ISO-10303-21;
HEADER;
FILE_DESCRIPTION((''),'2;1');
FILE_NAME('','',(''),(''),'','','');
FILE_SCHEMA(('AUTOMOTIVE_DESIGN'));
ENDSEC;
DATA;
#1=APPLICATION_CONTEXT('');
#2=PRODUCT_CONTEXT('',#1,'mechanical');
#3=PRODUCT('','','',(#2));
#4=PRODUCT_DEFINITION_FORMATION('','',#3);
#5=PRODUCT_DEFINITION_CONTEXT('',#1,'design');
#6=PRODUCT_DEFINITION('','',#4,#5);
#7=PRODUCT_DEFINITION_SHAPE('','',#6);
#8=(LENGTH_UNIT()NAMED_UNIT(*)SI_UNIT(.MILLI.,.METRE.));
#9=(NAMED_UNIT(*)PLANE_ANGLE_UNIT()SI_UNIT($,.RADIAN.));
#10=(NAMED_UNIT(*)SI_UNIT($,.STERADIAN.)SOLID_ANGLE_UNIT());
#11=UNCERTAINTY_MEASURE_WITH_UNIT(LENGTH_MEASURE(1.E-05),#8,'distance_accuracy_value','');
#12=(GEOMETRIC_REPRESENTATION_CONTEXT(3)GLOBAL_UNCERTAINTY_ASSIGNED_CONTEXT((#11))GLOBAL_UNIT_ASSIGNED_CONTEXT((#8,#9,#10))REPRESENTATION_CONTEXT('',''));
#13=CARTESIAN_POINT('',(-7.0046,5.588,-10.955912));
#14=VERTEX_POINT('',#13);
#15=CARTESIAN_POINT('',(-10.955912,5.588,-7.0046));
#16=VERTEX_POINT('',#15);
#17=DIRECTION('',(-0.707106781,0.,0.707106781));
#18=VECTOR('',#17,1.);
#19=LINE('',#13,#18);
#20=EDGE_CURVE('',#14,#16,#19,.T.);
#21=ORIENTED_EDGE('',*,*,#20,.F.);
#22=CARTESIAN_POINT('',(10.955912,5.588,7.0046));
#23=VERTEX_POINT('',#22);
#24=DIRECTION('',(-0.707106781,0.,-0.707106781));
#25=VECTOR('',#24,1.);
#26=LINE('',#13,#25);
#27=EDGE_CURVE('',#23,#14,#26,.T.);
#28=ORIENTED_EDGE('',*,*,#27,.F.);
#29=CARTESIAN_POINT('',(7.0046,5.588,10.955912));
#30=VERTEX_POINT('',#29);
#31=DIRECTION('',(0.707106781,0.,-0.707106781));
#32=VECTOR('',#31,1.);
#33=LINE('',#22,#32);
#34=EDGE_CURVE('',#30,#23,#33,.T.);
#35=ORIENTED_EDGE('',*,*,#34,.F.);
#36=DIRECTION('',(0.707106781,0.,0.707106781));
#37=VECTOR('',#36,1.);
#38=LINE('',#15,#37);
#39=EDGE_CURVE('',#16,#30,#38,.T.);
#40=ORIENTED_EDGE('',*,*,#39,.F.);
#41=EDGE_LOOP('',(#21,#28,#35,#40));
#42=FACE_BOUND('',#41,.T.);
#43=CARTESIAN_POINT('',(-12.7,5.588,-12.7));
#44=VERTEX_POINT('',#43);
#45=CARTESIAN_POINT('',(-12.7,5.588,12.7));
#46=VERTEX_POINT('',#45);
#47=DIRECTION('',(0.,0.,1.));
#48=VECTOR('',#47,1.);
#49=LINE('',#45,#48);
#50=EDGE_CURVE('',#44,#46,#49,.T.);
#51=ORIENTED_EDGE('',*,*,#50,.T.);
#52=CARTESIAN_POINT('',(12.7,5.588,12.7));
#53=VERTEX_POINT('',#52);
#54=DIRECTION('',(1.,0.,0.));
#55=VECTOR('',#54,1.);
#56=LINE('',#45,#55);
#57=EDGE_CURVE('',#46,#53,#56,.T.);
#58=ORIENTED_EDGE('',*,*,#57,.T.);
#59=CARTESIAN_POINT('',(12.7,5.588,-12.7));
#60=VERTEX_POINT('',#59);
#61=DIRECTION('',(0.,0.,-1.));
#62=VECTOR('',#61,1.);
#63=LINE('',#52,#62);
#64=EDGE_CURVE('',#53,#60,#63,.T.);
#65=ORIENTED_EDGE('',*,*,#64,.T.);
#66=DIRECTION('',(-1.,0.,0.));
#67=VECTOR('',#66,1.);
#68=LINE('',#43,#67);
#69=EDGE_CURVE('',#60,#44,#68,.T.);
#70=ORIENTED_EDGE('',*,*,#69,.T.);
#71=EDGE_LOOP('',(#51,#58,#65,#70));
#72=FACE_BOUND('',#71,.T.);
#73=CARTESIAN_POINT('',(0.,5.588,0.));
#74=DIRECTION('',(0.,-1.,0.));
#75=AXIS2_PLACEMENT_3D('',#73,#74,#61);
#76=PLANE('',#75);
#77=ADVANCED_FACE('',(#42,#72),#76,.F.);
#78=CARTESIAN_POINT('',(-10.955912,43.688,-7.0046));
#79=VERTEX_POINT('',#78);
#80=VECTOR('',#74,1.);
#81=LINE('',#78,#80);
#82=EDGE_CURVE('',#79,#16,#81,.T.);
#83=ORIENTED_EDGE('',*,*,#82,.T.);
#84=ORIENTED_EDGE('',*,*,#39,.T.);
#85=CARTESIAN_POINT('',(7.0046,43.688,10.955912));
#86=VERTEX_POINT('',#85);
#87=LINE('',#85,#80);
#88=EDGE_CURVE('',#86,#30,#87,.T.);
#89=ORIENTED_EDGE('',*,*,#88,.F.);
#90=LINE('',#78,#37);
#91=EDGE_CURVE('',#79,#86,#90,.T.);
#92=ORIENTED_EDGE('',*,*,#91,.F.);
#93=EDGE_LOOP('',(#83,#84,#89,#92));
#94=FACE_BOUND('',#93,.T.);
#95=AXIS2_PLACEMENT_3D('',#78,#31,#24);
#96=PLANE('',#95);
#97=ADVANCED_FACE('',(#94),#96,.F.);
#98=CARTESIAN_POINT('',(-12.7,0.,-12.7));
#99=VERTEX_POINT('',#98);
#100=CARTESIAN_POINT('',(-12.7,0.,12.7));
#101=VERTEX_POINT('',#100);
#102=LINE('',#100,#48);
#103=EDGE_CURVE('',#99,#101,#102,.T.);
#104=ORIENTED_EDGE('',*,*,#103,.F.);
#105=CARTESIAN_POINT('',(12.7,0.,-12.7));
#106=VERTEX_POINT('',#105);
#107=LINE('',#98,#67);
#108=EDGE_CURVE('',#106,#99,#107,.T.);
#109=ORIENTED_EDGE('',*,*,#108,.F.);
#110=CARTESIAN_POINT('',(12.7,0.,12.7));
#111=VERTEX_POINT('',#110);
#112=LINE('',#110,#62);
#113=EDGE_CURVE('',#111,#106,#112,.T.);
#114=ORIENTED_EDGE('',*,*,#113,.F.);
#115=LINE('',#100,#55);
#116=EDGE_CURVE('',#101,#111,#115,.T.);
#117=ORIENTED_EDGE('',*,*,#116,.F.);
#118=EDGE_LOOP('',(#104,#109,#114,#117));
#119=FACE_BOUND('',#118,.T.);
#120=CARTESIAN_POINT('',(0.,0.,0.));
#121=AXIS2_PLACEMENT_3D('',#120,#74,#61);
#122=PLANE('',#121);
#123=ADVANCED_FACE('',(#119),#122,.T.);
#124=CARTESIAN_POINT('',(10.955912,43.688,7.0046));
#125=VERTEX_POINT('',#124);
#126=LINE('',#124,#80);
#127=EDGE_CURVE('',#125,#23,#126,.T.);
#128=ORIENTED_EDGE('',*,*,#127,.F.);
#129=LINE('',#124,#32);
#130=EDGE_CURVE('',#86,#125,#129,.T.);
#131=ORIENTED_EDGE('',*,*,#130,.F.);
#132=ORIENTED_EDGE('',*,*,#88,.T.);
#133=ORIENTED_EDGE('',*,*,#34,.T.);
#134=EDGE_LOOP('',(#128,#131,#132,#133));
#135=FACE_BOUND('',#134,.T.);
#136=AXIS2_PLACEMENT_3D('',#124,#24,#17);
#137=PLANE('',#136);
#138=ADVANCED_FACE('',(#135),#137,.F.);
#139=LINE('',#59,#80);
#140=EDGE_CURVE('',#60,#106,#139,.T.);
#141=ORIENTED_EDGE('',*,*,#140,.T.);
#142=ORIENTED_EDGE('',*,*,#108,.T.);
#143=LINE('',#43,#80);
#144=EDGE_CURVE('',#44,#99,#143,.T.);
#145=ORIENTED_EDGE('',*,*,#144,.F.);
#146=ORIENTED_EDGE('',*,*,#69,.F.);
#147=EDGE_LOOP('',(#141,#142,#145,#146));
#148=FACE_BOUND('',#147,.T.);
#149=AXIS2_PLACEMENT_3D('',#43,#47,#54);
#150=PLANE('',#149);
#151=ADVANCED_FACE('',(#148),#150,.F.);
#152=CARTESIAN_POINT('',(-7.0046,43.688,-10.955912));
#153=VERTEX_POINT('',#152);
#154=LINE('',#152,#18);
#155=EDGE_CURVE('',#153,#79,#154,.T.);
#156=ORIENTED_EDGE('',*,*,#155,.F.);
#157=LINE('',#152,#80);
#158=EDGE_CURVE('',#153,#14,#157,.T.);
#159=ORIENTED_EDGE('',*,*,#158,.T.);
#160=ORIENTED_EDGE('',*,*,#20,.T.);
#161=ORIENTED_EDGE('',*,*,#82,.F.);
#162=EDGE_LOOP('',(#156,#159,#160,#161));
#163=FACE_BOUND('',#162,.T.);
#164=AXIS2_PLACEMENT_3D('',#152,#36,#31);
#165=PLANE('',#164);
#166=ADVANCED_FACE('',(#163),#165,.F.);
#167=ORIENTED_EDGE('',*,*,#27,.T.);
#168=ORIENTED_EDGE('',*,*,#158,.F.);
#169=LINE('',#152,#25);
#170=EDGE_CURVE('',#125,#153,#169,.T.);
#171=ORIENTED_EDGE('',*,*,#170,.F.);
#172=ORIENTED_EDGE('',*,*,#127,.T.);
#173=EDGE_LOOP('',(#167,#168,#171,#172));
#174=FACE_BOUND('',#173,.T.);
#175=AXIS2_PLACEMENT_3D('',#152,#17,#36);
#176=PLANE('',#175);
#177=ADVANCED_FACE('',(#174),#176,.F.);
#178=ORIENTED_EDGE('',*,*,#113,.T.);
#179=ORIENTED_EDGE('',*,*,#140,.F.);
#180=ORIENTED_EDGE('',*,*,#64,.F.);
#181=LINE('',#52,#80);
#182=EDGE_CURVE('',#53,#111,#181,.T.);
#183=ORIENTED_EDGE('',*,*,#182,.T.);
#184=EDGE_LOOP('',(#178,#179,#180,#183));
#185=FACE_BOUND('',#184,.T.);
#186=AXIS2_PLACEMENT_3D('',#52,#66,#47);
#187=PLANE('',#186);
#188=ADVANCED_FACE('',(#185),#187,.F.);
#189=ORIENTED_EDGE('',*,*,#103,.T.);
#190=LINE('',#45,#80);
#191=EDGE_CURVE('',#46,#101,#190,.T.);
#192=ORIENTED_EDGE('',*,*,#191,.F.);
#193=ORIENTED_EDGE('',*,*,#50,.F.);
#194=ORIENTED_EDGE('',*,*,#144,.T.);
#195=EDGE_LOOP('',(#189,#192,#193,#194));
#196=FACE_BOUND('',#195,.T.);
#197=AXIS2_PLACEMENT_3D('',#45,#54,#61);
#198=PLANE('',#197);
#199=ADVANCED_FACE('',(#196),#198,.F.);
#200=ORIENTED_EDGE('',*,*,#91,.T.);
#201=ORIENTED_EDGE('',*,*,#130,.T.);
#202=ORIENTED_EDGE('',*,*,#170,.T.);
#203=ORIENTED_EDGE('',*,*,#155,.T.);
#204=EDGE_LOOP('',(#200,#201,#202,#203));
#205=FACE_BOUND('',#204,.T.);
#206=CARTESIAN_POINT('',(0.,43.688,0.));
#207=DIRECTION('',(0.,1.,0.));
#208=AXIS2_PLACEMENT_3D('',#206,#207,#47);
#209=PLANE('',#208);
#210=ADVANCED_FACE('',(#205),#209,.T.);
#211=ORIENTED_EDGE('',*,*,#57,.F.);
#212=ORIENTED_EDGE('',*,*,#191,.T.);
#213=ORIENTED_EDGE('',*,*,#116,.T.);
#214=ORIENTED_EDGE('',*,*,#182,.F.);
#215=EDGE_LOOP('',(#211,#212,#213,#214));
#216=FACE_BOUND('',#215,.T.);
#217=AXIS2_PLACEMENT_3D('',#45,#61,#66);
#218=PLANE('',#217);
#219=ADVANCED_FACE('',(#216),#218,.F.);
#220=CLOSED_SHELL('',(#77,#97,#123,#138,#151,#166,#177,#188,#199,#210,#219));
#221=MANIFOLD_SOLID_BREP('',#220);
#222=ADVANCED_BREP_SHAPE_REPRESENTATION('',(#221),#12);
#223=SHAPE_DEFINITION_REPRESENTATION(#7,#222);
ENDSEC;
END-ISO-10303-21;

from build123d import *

# Parameters (mm, degrees)
SKETCH1_W           = 25.4
SKETCH1_H           = 25.4
BOSS_EXTRUDE1_DEPTH = 5.588
BOSS_EXTRUDE2_DEPTH = 38.1


with BuildPart() as part:
    # Sketch1 → Boss-Extrude1 (new body)
    with BuildSketch(Plane(origin=(0, 0, 0), x_dir=(1, 0, 0), z_dir=(0, 1, 0))):
        Rectangle(SKETCH1_W, SKETCH1_H)
    extrude(amount=BOSS_EXTRUDE1_DEPTH)

    # Sketch2 → Boss-Extrude2 (add)
    with BuildSketch(Plane(origin=(0, 5.588, 0), x_dir=(1, 0, 0), z_dir=(0, 1, 0))):
        Polygon((-7.004599774, 10.955912468), (10.955912468, -7.004599774), (7.004599774, -10.955912468), (-10.955912468, 7.004599774), align=None)
    extrude(amount=BOSS_EXTRUDE2_DEPTH)


solid = part.part
